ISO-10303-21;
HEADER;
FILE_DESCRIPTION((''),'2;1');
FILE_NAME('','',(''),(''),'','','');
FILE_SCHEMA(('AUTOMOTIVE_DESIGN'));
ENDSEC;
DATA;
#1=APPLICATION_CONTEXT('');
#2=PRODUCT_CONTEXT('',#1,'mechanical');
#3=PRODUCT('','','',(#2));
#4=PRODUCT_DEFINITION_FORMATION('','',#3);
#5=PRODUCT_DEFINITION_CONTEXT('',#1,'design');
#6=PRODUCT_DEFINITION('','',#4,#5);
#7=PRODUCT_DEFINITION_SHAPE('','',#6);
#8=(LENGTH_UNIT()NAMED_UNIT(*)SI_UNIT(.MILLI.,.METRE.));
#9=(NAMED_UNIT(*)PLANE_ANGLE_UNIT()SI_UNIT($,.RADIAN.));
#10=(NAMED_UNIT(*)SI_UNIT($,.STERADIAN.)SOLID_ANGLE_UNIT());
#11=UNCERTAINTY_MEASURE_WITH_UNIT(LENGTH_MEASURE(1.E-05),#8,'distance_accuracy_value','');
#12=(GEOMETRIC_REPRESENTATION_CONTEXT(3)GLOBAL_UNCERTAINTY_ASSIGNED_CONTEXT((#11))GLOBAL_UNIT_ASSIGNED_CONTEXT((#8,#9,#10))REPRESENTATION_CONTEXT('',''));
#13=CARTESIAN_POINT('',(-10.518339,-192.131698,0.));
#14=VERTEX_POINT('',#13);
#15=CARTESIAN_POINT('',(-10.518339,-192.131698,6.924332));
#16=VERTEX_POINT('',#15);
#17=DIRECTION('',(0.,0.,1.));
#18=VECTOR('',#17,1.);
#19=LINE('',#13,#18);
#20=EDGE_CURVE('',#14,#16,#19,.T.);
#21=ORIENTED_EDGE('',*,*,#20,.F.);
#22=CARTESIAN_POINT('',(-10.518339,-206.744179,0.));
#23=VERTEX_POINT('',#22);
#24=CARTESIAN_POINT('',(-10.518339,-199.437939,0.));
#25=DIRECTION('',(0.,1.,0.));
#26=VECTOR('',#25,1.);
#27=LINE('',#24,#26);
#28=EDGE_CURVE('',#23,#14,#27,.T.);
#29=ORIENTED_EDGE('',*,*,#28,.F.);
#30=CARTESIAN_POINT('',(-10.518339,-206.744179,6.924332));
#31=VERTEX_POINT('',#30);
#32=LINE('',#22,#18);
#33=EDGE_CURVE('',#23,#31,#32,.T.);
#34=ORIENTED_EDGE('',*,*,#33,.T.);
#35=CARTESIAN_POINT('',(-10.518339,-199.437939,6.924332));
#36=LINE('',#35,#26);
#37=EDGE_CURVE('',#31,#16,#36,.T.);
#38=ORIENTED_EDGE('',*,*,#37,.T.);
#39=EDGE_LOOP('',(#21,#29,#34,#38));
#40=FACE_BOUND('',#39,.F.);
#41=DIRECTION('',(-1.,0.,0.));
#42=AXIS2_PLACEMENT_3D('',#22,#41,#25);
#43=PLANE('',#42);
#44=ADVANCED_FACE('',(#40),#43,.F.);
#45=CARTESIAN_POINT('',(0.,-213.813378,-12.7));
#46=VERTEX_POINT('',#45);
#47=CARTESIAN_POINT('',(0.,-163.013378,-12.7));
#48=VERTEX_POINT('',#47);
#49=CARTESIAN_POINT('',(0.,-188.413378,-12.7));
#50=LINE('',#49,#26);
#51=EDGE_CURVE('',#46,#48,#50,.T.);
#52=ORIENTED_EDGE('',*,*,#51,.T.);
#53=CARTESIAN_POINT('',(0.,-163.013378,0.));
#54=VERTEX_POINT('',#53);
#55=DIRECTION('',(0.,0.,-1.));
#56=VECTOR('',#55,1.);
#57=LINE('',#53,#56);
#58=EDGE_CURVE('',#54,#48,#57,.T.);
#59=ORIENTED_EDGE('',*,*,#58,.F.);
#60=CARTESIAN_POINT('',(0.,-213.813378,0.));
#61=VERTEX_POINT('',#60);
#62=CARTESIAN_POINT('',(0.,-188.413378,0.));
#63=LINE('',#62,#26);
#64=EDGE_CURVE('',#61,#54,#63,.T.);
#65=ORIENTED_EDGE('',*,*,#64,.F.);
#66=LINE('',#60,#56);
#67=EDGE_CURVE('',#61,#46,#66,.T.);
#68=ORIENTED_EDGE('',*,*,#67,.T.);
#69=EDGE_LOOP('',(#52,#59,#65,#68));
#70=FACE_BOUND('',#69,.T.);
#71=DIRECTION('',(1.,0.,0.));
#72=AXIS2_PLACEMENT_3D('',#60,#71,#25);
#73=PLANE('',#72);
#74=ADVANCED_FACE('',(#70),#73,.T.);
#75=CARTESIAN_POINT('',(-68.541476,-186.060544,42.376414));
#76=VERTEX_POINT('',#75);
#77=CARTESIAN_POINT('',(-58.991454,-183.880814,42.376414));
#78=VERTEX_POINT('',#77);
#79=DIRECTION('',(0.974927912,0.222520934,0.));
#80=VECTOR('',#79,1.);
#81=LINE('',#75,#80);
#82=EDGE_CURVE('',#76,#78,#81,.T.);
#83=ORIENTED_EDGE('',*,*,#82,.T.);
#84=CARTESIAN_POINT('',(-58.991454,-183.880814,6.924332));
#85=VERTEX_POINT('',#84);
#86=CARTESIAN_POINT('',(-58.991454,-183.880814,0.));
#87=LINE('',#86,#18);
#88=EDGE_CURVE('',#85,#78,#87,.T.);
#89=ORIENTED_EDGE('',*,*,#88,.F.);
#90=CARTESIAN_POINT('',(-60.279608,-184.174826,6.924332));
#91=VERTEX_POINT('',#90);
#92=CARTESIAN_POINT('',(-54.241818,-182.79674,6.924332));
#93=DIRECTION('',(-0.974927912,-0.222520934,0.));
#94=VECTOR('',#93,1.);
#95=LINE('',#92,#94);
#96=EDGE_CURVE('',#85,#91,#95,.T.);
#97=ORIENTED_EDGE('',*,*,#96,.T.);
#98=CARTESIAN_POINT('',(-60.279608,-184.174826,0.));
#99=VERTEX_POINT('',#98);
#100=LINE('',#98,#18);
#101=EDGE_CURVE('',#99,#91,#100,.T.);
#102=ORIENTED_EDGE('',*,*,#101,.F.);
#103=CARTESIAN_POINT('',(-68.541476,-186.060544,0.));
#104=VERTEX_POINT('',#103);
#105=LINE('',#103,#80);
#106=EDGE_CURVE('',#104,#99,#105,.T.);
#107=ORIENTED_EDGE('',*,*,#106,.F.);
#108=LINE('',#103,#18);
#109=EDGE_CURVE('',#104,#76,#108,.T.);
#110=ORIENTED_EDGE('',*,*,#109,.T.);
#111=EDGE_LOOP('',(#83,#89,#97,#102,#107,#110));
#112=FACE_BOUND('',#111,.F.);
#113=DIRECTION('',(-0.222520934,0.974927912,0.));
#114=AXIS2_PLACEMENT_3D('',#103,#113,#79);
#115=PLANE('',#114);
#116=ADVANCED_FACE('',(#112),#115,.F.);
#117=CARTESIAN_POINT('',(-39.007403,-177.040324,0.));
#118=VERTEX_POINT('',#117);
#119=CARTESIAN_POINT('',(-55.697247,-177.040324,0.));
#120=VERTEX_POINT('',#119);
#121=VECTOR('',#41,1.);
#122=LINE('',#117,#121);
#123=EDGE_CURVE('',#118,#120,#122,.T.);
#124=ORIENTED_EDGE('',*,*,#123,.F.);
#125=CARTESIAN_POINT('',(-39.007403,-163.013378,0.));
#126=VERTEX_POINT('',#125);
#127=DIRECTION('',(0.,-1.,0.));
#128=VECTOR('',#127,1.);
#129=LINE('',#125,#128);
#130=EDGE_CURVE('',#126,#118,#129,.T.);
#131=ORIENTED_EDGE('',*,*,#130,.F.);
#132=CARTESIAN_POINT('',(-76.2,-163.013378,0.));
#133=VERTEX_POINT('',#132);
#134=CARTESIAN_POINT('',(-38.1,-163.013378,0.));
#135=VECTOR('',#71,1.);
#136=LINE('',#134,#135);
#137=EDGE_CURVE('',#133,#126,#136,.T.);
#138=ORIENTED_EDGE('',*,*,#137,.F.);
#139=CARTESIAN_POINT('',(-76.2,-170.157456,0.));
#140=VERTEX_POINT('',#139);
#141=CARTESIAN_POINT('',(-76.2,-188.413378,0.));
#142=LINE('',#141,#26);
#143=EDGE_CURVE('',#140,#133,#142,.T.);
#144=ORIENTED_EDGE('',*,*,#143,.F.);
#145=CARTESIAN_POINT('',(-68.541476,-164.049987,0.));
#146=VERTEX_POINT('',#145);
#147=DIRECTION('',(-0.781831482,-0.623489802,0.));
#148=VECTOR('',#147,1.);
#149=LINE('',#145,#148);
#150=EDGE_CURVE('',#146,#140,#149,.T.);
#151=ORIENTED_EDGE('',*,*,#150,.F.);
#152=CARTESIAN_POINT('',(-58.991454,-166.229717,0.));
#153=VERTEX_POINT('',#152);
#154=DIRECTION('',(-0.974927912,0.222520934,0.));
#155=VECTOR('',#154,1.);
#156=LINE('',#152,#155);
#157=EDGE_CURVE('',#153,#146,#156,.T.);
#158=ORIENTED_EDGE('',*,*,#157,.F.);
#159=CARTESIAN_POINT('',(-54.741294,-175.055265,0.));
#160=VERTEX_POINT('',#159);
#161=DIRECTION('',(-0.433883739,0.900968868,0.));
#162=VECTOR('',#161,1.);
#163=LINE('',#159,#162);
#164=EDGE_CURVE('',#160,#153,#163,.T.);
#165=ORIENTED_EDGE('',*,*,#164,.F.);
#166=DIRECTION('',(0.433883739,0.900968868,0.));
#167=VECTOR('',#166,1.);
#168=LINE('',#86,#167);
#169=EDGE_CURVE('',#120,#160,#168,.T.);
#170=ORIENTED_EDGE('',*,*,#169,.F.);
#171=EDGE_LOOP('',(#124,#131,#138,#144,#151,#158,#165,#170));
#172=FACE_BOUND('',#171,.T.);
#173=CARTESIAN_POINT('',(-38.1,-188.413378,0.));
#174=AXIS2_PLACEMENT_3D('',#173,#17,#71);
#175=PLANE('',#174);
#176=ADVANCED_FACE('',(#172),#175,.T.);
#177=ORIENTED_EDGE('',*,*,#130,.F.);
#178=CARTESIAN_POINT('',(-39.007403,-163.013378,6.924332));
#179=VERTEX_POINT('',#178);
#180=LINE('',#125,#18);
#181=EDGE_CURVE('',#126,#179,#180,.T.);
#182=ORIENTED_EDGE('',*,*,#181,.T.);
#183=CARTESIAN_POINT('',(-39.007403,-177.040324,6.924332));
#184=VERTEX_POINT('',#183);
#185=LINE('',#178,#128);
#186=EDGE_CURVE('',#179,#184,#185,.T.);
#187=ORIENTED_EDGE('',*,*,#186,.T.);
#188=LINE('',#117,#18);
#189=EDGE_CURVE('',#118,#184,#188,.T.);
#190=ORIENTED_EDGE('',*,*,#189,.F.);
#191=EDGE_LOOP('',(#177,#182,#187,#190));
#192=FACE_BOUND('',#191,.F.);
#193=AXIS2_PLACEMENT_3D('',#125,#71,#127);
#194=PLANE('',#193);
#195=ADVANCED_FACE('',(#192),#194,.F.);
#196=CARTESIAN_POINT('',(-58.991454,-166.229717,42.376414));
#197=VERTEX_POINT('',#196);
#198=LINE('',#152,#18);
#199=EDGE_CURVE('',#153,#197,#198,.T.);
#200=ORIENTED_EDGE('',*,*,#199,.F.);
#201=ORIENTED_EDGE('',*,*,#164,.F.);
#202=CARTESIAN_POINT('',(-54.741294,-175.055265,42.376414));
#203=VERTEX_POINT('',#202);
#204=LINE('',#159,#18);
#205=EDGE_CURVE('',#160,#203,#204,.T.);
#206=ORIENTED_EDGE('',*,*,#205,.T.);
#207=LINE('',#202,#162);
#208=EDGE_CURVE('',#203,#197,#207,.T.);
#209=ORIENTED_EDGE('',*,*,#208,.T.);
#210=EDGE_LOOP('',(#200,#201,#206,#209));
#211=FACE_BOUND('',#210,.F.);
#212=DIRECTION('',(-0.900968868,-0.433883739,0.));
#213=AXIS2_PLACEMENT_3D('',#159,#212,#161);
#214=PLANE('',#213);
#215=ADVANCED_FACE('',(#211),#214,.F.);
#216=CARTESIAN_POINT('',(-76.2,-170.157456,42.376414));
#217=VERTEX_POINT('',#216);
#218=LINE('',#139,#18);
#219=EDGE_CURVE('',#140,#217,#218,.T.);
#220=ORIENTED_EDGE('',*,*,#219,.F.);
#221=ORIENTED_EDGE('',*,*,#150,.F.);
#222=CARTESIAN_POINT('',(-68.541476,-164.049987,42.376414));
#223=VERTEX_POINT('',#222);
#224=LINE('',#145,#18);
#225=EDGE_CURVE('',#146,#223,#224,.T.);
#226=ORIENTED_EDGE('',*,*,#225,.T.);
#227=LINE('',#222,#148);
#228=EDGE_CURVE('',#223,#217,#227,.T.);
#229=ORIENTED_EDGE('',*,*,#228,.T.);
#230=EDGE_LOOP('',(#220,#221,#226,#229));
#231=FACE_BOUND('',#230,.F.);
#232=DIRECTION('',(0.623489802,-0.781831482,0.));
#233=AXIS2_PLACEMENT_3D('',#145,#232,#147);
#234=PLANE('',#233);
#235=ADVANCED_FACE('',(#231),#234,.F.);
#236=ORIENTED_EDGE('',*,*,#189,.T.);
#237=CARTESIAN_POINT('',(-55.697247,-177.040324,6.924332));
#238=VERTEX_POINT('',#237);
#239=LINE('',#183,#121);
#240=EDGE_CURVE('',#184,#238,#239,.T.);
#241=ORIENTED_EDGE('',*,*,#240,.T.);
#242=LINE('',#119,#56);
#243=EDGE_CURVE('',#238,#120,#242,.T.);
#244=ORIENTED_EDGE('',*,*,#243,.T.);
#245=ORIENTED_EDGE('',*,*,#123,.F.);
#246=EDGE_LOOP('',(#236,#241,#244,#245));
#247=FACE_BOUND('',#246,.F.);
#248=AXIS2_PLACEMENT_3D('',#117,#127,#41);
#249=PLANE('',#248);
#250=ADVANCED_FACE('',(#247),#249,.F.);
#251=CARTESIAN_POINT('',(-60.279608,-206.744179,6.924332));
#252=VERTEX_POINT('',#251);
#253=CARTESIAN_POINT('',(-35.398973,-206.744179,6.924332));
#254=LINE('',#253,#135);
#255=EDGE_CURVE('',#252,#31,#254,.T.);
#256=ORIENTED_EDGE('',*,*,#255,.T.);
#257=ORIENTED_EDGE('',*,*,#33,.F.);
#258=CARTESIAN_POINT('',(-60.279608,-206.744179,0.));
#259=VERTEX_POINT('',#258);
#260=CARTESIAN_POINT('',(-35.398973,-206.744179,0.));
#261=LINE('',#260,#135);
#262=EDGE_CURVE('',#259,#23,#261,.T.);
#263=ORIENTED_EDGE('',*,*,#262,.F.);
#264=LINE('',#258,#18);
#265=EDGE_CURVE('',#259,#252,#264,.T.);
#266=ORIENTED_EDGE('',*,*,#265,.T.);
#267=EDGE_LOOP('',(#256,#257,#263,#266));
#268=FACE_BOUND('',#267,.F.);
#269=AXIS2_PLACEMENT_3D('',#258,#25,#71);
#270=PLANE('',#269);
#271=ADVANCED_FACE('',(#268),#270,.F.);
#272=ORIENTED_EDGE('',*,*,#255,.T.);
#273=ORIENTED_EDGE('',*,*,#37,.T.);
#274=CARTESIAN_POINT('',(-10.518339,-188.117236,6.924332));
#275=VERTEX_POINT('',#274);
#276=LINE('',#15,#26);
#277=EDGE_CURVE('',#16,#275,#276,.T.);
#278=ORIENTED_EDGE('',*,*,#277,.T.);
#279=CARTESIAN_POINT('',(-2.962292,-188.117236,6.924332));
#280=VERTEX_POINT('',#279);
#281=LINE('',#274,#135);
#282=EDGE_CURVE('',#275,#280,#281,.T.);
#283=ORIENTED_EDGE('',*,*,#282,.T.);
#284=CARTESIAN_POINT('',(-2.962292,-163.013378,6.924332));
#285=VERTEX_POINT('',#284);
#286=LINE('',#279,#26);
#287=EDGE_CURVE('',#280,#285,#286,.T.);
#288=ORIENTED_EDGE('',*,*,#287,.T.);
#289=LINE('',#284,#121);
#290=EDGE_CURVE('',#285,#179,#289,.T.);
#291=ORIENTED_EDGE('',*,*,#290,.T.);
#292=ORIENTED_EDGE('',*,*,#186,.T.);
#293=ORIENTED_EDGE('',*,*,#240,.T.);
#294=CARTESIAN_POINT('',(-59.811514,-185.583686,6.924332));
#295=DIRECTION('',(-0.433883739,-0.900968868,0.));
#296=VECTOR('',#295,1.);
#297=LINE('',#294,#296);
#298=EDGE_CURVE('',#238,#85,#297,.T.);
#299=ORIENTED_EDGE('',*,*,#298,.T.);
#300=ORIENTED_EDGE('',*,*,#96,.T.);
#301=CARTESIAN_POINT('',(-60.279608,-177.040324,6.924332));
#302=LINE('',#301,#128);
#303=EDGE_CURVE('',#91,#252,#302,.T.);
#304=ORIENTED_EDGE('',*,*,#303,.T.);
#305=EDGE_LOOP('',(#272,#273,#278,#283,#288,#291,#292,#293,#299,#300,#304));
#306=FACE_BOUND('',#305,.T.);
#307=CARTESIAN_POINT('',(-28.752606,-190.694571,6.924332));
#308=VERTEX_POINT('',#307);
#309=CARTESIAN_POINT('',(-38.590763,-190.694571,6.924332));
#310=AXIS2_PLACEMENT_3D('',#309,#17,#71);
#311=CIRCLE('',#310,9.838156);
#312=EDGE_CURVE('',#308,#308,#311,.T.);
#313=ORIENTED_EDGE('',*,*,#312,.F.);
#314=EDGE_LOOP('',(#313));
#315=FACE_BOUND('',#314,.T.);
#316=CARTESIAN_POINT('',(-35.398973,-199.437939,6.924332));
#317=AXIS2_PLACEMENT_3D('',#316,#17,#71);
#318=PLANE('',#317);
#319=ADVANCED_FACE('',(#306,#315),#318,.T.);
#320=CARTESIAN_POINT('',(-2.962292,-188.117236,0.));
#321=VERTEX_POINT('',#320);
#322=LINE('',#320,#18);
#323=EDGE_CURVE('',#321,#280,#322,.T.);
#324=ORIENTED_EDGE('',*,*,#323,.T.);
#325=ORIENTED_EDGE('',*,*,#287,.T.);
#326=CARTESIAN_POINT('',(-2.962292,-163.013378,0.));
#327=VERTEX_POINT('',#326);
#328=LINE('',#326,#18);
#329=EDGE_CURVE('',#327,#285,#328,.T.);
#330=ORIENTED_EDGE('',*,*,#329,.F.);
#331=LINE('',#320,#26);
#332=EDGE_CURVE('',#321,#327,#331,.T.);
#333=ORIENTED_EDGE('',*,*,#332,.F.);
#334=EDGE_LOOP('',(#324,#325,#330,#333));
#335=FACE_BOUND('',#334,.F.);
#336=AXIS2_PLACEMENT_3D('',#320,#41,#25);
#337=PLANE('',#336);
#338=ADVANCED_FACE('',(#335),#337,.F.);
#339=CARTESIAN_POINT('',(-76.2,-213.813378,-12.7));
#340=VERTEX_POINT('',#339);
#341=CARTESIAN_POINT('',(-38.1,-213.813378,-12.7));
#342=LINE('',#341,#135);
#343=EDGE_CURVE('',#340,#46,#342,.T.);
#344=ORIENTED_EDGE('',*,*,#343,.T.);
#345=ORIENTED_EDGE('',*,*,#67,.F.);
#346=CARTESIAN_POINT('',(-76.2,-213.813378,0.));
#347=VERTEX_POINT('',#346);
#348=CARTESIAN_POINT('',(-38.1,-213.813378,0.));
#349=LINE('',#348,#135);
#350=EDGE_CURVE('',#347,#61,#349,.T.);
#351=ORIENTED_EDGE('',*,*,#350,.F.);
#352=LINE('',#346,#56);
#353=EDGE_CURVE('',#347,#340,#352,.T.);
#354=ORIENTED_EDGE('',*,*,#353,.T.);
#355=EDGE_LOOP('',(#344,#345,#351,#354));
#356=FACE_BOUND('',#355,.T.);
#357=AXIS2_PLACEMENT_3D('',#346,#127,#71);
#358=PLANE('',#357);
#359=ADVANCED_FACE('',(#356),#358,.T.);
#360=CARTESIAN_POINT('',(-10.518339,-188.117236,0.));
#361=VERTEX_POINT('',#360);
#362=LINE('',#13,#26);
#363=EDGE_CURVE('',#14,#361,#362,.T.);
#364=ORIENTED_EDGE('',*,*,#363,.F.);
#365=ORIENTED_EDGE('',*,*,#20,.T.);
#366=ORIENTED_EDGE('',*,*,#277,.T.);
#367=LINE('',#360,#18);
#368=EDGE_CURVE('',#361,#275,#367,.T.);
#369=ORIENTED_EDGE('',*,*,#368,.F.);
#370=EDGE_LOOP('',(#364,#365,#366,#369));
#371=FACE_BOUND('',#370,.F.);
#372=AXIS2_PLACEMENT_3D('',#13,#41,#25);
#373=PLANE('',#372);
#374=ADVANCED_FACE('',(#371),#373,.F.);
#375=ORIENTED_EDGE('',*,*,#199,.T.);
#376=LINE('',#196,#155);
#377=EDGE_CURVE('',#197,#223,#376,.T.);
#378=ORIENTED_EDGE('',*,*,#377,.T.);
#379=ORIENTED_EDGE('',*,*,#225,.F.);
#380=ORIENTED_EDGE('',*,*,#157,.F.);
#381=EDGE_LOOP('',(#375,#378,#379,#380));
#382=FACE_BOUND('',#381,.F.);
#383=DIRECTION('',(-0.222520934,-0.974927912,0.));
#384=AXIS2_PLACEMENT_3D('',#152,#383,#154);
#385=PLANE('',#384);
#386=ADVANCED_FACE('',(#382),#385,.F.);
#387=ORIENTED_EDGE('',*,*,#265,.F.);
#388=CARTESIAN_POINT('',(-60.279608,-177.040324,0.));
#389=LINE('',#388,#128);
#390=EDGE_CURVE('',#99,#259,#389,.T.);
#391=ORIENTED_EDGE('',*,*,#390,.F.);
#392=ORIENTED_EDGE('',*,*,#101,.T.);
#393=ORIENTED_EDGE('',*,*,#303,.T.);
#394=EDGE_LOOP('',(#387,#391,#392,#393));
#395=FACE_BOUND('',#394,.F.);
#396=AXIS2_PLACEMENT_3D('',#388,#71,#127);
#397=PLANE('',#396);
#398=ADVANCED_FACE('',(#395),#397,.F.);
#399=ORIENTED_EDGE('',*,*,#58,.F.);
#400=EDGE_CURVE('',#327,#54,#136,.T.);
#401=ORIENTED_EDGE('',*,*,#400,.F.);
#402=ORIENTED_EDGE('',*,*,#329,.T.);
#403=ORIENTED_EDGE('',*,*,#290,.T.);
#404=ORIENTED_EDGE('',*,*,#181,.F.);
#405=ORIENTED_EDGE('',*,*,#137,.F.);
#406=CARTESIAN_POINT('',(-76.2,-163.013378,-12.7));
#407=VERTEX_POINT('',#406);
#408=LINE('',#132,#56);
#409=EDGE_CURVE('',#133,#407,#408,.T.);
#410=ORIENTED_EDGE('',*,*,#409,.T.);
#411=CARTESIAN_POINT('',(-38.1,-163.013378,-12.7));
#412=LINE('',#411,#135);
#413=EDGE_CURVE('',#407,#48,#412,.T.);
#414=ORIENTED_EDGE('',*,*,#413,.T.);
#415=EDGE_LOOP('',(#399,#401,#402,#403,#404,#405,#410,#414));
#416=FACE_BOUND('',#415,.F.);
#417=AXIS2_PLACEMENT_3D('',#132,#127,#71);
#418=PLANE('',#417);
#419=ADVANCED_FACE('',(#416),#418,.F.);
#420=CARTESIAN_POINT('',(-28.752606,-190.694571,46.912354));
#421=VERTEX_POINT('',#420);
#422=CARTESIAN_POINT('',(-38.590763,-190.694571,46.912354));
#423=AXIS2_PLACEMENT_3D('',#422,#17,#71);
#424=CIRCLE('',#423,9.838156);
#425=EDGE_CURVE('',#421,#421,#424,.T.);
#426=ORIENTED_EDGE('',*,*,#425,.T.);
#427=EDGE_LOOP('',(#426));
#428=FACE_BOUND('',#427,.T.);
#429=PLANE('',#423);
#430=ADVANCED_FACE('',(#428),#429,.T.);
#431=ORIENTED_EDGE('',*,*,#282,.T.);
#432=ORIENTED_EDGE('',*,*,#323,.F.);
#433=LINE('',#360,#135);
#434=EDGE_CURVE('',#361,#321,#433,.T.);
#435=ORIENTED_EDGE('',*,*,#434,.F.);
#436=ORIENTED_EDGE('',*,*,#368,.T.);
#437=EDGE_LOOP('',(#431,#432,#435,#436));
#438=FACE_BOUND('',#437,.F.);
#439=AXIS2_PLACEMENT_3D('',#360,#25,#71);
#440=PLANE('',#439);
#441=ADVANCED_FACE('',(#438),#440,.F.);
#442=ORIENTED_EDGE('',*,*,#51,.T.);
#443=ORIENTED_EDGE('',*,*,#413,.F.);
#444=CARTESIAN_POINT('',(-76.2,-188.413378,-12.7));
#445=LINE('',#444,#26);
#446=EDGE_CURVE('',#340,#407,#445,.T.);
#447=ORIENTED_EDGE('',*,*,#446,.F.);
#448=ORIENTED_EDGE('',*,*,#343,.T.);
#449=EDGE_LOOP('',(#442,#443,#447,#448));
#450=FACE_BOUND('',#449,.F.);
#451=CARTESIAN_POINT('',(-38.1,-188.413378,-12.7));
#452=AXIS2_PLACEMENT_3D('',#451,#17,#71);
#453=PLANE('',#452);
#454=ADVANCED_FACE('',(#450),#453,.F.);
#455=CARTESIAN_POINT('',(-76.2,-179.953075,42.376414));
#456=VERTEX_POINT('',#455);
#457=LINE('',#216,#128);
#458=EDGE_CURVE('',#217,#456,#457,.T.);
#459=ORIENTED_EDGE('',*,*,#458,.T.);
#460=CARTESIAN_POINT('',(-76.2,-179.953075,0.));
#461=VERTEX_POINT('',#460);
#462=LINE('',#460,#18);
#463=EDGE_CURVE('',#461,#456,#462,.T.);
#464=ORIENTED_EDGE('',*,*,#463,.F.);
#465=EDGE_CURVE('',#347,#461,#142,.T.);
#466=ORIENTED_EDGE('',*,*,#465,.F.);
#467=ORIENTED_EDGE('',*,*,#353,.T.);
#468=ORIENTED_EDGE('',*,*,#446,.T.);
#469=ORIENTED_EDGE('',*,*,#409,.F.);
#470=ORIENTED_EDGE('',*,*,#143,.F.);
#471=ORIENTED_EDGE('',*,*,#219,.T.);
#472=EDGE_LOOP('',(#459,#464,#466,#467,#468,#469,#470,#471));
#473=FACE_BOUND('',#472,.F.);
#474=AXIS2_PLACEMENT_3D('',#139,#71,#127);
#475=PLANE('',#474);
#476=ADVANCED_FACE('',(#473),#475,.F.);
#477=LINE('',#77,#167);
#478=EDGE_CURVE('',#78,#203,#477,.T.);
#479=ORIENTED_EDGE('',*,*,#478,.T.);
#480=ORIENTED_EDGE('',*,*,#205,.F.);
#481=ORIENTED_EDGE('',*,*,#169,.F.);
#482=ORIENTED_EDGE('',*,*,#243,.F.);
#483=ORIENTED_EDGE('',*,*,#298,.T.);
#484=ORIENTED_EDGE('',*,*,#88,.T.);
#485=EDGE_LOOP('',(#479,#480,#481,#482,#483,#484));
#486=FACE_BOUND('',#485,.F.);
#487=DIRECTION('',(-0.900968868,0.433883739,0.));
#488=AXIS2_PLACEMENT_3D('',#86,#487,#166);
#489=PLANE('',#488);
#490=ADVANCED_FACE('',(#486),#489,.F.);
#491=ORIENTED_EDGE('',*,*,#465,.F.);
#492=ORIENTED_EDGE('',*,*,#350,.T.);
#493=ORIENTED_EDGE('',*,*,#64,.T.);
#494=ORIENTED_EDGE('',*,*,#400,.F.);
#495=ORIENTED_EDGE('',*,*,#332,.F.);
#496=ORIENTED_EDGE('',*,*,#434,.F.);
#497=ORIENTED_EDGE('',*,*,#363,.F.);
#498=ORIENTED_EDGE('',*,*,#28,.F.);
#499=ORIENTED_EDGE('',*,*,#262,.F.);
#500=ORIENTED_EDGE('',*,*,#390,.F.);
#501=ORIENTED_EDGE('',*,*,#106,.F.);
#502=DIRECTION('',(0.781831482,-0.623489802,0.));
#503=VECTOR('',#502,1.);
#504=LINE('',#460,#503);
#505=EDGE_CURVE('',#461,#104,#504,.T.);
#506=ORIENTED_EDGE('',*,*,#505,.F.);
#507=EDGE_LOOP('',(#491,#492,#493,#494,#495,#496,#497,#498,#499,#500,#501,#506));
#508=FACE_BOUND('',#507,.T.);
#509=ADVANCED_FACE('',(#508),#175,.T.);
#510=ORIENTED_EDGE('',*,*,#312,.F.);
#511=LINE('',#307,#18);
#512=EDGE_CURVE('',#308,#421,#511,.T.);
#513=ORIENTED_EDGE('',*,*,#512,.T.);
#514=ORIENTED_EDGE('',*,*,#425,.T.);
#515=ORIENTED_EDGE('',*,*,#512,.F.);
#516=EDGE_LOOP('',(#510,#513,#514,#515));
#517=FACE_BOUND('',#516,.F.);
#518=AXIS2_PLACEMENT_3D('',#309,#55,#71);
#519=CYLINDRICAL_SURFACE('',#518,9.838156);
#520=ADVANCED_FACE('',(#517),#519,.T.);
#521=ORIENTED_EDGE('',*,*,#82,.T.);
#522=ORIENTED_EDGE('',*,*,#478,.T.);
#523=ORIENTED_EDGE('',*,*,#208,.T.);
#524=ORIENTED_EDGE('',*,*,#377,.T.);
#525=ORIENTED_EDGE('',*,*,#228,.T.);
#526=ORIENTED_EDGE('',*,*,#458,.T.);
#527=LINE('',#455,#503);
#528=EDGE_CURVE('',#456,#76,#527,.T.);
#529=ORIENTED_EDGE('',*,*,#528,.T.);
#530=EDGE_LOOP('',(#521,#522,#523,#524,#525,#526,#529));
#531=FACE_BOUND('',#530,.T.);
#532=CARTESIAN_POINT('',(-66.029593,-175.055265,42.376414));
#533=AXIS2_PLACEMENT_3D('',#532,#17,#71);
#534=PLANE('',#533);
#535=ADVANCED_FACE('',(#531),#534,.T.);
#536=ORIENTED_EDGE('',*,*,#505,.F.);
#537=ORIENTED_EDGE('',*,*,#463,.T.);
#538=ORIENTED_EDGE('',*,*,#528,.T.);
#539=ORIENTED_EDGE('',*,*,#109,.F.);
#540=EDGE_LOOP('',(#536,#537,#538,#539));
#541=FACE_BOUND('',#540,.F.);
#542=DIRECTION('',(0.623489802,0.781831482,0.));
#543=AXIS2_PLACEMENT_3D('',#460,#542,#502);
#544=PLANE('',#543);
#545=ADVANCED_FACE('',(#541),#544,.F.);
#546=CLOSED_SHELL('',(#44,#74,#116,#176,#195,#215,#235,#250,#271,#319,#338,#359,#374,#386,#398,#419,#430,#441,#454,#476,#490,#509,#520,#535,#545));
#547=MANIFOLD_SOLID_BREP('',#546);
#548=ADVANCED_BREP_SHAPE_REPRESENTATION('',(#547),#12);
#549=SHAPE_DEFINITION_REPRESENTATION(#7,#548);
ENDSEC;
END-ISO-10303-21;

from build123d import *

# Parameters (mm, degrees)
F0_W     = 76.2
F0_H     = 50.8
F1_DEPTH = 12.7
F2_W     = 49.7612692416
F2_H     = 14.612480998
F2_W_2   = 28.4890644252
F2_H_2   = 11.0769122839
F3_DEPTH = 6.9243321195
F4_R     = 9.8381563478
F5_DEPTH = 39.9880222976
F7_DEPTH = 42.3764139414


with BuildPart() as f1:
    # F0 (on Top) → F1 (new body)
    with BuildSketch(Plane.XY):
        with Locations((-38.1, -188.4133778646)):
            Rectangle(F0_W, F0_H)
    extrude(amount=-F1_DEPTH)

    # F2 (on face) → F3 (join)
    with BuildSketch(Plane.XY):
        with Locations((-35.398973152, -199.4379386306)):
            Rectangle(F2_W, F2_H)
        Polygon((-60.2796077728, -177.0403236151), (-60.2796077728, -192.1316981316), (-10.5183385313, -192.1316981316), (-10.5183385313, -188.117235899), (-39.0074029565, -188.117235899), (-39.0074029565, -177.0403236151), align=None)
        with Locations((-24.7628707439, -182.578779757)):
            Rectangle(F2_W_2, F2_H_2)
        Polygon((-10.5183385313, -177.0403236151), (-10.5183385313, -188.117235899), (-2.9622917064, -188.117235899), (-2.9622917064, -163.0133778646), (-39.0074029565, -163.0133778646), (-39.0074029565, -177.0403236151), align=None)
    extrude(amount=F3_DEPTH)

    # F4 (on face) → F5 (join)
    with BuildSketch(Plane.XY.offset(6.9243321195)):
        with Locations((-38.5907627642, -190.6945705414)):
            Circle(F4_R)
    extrude(amount=F5_DEPTH)

    # F6 (on face) → F7 (join)
    with BuildSketch(Plane.XY):
        Polygon((-76.2, -170.1574557203), (-76.2, -179.9530751329), (-68.5414763529, -186.0605439396), (-58.9914535705, -183.8808135592), (-54.7412935927, -175.0552654266), (-58.9914535705, -166.229717294), (-68.5414763529, -164.0499869137), align=None)
    extrude(amount=F7_DEPTH)


solid = f1.part
